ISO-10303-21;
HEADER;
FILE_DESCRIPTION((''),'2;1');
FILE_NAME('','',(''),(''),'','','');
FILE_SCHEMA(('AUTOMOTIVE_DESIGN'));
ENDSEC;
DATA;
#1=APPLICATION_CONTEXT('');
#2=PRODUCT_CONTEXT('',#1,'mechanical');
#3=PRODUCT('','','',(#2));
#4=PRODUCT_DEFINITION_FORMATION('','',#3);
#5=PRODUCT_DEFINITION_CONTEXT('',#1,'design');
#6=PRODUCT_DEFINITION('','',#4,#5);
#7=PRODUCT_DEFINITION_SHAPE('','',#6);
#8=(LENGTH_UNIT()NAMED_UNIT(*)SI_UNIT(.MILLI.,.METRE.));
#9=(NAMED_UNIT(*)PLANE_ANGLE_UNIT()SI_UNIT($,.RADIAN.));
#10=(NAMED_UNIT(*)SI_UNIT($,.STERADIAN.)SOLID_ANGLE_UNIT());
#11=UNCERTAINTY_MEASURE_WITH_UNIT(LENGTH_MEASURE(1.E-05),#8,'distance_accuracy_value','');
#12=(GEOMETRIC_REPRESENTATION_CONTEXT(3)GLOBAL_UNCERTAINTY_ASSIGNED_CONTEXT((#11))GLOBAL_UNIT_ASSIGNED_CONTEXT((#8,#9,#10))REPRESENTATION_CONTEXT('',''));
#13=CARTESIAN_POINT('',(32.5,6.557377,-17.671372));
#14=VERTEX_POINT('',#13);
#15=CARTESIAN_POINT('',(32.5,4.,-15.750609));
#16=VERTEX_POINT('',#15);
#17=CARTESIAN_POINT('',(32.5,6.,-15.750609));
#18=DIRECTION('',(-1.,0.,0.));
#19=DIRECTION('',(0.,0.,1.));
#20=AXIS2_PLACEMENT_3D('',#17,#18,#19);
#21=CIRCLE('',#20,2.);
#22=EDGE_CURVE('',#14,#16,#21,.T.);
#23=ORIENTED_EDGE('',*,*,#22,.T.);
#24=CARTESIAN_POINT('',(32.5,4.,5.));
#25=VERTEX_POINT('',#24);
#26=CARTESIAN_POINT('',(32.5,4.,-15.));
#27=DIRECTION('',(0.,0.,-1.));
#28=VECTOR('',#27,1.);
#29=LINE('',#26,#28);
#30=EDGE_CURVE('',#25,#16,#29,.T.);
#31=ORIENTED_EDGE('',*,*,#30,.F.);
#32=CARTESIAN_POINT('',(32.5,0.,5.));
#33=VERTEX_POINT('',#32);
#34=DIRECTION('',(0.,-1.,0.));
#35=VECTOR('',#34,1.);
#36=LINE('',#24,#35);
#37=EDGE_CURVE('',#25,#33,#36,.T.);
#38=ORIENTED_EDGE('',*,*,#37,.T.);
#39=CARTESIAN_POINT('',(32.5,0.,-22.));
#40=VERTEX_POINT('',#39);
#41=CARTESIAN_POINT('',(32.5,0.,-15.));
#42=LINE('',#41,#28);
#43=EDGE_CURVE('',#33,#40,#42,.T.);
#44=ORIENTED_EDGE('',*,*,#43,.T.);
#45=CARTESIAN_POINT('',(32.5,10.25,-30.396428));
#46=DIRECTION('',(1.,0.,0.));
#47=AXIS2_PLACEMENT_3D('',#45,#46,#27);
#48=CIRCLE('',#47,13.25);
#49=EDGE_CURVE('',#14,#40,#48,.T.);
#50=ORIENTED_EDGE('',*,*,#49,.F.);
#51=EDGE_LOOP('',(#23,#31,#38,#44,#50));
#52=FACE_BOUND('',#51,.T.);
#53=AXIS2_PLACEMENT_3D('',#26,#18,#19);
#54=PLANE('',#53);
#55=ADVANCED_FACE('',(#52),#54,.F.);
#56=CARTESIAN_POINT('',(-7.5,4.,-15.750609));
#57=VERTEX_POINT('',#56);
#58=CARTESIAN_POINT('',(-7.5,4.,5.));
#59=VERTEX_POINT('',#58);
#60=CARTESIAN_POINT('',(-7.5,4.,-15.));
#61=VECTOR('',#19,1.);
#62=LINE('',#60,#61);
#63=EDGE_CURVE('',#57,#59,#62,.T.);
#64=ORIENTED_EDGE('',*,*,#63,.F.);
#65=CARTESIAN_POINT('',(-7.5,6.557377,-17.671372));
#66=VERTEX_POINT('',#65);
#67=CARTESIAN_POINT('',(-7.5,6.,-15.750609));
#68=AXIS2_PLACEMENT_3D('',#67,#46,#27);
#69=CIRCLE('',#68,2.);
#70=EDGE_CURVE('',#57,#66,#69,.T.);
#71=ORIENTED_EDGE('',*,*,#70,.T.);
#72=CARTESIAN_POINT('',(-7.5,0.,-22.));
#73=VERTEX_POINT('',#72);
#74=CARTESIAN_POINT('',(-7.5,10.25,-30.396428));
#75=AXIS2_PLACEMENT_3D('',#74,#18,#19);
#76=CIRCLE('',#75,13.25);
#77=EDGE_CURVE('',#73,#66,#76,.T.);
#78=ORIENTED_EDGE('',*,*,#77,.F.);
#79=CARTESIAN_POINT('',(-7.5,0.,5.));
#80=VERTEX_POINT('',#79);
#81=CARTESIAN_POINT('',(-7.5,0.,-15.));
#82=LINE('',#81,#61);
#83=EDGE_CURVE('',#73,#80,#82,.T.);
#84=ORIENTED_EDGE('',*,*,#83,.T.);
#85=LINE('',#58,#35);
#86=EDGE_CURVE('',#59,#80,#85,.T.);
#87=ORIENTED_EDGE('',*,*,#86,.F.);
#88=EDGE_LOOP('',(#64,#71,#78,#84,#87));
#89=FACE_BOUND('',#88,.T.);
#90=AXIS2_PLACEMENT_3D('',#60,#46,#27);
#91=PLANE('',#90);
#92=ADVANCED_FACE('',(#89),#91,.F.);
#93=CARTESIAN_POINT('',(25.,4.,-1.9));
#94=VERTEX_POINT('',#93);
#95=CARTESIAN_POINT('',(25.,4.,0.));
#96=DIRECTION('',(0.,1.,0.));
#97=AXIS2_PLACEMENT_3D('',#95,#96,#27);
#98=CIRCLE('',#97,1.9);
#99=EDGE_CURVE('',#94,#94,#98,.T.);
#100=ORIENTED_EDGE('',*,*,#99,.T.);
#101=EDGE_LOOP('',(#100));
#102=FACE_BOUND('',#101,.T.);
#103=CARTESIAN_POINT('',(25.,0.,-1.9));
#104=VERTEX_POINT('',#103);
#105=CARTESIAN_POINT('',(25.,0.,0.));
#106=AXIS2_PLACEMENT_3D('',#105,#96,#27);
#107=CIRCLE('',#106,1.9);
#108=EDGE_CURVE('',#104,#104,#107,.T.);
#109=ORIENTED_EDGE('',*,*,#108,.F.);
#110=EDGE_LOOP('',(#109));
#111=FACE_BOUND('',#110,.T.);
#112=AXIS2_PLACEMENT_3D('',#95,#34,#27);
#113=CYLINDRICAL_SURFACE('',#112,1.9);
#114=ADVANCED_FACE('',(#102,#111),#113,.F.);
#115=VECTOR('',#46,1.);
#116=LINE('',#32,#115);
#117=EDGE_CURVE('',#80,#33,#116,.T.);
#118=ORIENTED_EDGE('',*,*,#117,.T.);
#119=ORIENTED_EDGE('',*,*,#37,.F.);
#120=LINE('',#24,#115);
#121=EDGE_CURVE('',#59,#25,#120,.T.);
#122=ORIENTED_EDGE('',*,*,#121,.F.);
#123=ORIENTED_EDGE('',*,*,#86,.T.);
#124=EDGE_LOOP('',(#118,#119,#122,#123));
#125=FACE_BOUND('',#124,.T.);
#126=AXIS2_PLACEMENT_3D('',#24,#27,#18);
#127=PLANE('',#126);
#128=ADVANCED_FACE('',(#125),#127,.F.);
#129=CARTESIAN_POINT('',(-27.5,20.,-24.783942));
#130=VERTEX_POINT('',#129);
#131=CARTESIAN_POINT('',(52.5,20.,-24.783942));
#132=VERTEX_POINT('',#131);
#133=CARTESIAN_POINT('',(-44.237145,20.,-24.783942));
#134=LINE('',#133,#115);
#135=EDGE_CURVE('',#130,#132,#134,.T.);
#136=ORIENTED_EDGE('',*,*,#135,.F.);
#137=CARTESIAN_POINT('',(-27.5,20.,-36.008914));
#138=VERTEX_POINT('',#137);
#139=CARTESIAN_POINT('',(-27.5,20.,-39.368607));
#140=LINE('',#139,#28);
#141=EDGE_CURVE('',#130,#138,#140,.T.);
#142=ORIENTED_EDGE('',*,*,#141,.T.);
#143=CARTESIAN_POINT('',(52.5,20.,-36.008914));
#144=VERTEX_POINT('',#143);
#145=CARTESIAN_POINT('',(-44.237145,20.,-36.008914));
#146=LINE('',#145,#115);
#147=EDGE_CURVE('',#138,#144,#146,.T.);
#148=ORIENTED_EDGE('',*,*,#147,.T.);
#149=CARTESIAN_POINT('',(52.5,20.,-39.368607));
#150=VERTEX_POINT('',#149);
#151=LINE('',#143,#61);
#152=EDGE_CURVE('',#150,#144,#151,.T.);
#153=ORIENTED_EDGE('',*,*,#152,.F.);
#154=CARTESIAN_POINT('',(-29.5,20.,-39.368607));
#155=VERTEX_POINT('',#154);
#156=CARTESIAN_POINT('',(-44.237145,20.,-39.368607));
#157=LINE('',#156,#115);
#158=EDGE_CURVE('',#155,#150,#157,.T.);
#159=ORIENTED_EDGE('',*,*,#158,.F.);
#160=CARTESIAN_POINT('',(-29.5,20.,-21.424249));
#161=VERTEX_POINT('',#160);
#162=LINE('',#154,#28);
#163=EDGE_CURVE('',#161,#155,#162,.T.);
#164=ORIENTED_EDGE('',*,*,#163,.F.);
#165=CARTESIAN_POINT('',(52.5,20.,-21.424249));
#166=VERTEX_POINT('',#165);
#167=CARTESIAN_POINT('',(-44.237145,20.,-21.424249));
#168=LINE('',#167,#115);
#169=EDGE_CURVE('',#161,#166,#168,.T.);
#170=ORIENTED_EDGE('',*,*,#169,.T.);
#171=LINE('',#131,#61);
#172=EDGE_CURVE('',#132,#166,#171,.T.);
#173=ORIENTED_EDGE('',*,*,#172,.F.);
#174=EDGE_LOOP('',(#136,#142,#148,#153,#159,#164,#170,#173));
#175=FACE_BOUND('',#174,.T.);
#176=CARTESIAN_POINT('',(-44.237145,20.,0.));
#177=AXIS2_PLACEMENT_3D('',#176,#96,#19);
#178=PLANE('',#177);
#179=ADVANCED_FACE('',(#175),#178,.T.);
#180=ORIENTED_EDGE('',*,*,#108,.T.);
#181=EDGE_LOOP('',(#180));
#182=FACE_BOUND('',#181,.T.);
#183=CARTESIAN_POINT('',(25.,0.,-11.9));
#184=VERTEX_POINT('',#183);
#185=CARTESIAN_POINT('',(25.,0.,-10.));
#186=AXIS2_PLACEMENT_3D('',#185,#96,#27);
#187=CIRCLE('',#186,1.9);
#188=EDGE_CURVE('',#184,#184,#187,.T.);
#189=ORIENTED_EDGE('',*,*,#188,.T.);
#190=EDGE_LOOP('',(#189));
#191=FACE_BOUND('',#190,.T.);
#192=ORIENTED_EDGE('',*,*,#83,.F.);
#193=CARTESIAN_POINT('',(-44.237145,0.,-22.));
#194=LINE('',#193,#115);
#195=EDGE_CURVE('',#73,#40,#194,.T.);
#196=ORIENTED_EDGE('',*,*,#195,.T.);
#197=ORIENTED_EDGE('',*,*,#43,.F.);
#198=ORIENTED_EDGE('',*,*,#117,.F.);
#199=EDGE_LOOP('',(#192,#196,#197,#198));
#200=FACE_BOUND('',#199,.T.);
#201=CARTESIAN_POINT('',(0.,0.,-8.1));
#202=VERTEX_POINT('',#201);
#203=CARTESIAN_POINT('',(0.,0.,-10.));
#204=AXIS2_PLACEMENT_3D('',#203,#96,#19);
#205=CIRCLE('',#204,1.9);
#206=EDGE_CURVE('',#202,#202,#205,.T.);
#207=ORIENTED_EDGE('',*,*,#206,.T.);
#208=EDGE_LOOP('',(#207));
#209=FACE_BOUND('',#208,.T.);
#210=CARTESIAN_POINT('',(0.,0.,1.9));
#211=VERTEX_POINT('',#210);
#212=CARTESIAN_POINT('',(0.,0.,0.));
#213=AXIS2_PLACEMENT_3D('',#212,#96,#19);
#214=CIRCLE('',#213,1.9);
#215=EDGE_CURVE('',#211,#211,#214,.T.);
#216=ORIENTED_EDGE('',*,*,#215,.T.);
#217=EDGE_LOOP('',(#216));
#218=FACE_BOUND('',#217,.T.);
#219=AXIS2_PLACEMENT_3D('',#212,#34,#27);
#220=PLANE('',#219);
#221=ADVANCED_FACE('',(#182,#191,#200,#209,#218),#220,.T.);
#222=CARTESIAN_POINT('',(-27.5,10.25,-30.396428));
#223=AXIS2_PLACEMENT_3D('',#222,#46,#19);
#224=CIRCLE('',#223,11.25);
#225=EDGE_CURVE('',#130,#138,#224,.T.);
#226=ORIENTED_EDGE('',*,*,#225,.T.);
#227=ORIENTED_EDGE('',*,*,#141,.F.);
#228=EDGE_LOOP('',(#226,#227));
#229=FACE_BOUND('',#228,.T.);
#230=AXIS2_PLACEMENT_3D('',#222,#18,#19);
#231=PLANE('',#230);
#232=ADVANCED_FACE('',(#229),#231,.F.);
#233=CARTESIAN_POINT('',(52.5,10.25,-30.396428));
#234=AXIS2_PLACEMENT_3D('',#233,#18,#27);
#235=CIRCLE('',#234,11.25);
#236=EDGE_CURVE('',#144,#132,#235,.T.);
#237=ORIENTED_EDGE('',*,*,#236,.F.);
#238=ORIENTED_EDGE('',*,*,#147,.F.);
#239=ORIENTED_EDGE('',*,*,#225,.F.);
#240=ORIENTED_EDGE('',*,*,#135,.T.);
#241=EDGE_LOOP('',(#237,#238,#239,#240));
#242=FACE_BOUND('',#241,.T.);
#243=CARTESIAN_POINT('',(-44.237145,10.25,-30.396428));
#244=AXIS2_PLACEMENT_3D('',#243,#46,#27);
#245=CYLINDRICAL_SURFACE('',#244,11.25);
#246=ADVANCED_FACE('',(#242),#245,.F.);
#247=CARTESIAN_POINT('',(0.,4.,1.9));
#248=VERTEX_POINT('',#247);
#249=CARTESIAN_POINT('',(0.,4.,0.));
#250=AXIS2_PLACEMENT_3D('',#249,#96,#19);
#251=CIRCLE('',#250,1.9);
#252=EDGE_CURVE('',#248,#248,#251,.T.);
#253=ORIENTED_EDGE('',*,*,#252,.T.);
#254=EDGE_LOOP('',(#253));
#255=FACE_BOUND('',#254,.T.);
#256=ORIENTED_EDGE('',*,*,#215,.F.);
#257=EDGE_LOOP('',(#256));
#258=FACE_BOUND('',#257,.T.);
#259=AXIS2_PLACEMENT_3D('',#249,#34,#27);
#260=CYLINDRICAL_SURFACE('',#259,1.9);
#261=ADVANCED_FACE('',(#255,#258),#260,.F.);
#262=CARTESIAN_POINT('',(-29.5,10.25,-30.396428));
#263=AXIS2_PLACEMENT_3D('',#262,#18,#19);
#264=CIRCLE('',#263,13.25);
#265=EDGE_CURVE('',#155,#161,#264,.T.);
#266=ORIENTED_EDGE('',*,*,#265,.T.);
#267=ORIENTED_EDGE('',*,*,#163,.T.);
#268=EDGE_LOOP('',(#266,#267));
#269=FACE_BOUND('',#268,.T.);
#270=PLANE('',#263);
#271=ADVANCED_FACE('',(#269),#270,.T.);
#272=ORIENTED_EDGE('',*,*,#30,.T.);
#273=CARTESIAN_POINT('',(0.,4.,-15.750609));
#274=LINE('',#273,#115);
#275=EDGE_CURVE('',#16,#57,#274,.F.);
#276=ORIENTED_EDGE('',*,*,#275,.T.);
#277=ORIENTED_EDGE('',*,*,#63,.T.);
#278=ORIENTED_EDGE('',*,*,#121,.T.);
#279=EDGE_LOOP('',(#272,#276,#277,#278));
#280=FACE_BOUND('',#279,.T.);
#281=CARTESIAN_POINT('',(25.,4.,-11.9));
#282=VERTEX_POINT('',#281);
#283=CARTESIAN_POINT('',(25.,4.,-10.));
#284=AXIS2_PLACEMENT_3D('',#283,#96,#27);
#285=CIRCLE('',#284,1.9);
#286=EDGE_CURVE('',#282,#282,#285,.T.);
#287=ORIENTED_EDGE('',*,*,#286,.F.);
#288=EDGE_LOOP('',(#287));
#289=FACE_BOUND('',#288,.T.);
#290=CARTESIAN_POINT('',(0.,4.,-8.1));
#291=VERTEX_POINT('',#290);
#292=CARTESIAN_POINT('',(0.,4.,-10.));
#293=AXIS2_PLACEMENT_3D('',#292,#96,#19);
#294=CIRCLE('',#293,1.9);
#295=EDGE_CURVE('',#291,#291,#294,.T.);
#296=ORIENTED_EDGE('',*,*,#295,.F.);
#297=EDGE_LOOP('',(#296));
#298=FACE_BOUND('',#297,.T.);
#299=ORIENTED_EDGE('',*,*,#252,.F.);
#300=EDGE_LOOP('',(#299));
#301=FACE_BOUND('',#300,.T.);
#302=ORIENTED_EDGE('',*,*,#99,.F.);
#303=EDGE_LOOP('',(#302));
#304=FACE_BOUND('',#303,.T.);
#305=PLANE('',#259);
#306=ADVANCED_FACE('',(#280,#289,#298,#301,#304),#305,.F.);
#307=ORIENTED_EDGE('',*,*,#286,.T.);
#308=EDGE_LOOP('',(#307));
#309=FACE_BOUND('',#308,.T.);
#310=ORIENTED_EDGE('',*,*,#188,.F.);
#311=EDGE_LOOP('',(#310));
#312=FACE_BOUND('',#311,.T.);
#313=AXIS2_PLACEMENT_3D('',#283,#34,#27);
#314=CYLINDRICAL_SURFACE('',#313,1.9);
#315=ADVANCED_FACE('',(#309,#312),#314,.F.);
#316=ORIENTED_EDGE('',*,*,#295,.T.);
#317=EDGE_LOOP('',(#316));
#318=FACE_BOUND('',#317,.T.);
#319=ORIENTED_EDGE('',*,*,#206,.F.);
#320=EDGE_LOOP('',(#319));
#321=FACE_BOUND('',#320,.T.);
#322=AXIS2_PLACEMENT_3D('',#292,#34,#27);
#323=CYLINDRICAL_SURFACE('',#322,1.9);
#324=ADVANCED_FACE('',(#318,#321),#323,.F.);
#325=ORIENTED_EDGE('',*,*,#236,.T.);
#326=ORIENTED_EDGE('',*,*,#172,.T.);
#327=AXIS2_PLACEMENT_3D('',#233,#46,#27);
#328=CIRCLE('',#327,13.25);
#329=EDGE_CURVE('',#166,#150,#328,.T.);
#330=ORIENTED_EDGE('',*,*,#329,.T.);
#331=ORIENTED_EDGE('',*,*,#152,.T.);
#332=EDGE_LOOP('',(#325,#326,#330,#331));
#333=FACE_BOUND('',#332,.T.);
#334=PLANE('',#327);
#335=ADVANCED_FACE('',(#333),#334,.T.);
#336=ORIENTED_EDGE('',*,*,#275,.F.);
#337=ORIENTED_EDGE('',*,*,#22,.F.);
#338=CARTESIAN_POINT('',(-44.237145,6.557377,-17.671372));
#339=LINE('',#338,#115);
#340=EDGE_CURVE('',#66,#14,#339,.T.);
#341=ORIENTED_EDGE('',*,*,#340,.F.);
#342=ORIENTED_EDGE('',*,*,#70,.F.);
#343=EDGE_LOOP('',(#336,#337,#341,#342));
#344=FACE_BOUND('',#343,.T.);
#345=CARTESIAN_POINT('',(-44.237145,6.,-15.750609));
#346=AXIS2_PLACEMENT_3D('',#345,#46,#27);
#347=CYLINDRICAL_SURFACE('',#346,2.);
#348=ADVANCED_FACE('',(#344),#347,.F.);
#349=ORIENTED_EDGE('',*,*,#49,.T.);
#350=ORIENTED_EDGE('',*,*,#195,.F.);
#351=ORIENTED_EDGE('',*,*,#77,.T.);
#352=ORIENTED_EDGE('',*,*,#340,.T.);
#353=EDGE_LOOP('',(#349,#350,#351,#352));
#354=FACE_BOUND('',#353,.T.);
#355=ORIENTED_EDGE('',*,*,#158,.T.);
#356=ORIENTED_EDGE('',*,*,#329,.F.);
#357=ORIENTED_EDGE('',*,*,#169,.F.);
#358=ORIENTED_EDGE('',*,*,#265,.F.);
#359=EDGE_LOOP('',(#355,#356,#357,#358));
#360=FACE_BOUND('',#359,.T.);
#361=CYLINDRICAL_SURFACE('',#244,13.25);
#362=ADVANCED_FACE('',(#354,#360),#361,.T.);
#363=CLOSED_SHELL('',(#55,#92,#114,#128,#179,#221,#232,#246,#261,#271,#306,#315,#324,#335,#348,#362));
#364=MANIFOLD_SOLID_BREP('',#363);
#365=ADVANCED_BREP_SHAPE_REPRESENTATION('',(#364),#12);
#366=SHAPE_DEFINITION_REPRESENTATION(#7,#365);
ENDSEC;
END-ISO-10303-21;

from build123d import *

# Parameters (mm, degrees)
SKETCH1_W           = 40
SKETCH1_H           = 20
SKETCH1_R           = 1.9
BOSS_EXTRUDE1_DEPTH = 4
BOSS_EXTRUDE2_DEPTH = 40
BOSS_EXTRUDE3_START = 20
BOSS_EXTRUDE3_DEPTH = 20
BOSS_EXTRUDE4_DEPTH = 20
FILLET1_R           = 2
BOSS_EXTRUDE5_DEPTH = 2


with BuildPart() as part:
    # Sketch1 → Boss-Extrude1 (new body)
    with BuildSketch(Plane(origin=(0, 0, 0), x_dir=(1, 0, 0), z_dir=(0, 1, 0))):
        with Locations((12.5, 5)):
            Rectangle(SKETCH1_W, SKETCH1_H)
        with Locations(Location((0, 0, 0), (0, 0, 270))):
            Circle(SKETCH1_R, mode=Mode.SUBTRACT)
        with Locations(Location((0, 10, 0), (0, 0, 270))):
            Circle(SKETCH1_R, mode=Mode.SUBTRACT)
        with Locations(Location((25, 10, 0), (0, 0, 90))):
            Circle(SKETCH1_R, mode=Mode.SUBTRACT)
        with Locations(Location((25, 0, 0), (0, 0, 90))):
            Circle(SKETCH1_R, mode=Mode.SUBTRACT)
    extrude(amount=BOSS_EXTRUDE1_DEPTH)

    # Sketch3 → Boss-Extrude2 (add)
    with BuildSketch(Plane(origin=(32.5, 0, 0), x_dir=(0, 0, -1), z_dir=(1, 0, 0))):
        with BuildLine():
            ThreePointArc((22, 0), (20.159285507, 1.837900533), (18.713106366, 4))
            Line((18.713106366, 4), (15, 4))
            Line((15, 4), (15, 0))
            Line((15, 0), (22, 0))
        make_face()
        with BuildLine():
            Line((24.783941732, 20), (21.424248589, 20))
            ThreePointArc((21.424248589, 20), (30.396427812, -3), (39.368607034, 20))
            Line((39.368607034, 20), (36.008913892, 20))
            ThreePointArc((36.008913892, 20), (30.396427812, -1), (24.783941732, 20))
        make_face()
    extrude(amount=-BOSS_EXTRUDE2_DEPTH)

    # Sketch4 → Boss-Extrude3 (add)
    with BuildSketch(Plane(origin=(32.5, 0, 0), x_dir=(0, 0, -1), z_dir=(1, 0, 0)).offset(BOSS_EXTRUDE3_START)):
        with BuildLine():
            Line((24.783941732, 20), (21.424248589, 20))
            ThreePointArc((21.424248589, 20), (30.396427812, -3), (39.368607034, 20))
            Line((39.368607034, 20), (36.008913892, 20))
            ThreePointArc((36.008913892, 20), (30.396427812, -1), (24.783941732, 20))
        make_face()
    extrude(amount=-BOSS_EXTRUDE3_DEPTH)

    # Sketch5 → Boss-Extrude4 (add)
    with BuildSketch(Plane.ZY.offset(7.5)):
        with BuildLine():
            Line((-21.424248589, 20), (-24.783941732, 20))
            ThreePointArc((-24.783941732, 20), (-30.396427812, -1), (-36.008913892, 20))
            Line((-36.008913892, 20), (-39.368607034, 20))
            ThreePointArc((-39.368607034, 20), (-30.396427812, -3), (-21.424248589, 20))
        make_face()
    extrude(amount=BOSS_EXTRUDE4_DEPTH)

    # Fillet1
    fillet1_edges = [part.edges().sort_by_distance(p)[0] for p in [
        (12.5, 4, -18.713106366),
    ]]
    fillet(fillet1_edges, radius=FILLET1_R)

    # Sketch7 → Boss-Extrude5 (add)
    with BuildSketch(Plane.ZY.offset(27.5)):
        with BuildLine():
            Line((-39.368607034, 20), (-21.424248589, 20))
            ThreePointArc((-21.424248589, 20), (-30.396427812, -3), (-39.368607034, 20))
        make_face()
    extrude(amount=BOSS_EXTRUDE5_DEPTH)


solid = part.part
